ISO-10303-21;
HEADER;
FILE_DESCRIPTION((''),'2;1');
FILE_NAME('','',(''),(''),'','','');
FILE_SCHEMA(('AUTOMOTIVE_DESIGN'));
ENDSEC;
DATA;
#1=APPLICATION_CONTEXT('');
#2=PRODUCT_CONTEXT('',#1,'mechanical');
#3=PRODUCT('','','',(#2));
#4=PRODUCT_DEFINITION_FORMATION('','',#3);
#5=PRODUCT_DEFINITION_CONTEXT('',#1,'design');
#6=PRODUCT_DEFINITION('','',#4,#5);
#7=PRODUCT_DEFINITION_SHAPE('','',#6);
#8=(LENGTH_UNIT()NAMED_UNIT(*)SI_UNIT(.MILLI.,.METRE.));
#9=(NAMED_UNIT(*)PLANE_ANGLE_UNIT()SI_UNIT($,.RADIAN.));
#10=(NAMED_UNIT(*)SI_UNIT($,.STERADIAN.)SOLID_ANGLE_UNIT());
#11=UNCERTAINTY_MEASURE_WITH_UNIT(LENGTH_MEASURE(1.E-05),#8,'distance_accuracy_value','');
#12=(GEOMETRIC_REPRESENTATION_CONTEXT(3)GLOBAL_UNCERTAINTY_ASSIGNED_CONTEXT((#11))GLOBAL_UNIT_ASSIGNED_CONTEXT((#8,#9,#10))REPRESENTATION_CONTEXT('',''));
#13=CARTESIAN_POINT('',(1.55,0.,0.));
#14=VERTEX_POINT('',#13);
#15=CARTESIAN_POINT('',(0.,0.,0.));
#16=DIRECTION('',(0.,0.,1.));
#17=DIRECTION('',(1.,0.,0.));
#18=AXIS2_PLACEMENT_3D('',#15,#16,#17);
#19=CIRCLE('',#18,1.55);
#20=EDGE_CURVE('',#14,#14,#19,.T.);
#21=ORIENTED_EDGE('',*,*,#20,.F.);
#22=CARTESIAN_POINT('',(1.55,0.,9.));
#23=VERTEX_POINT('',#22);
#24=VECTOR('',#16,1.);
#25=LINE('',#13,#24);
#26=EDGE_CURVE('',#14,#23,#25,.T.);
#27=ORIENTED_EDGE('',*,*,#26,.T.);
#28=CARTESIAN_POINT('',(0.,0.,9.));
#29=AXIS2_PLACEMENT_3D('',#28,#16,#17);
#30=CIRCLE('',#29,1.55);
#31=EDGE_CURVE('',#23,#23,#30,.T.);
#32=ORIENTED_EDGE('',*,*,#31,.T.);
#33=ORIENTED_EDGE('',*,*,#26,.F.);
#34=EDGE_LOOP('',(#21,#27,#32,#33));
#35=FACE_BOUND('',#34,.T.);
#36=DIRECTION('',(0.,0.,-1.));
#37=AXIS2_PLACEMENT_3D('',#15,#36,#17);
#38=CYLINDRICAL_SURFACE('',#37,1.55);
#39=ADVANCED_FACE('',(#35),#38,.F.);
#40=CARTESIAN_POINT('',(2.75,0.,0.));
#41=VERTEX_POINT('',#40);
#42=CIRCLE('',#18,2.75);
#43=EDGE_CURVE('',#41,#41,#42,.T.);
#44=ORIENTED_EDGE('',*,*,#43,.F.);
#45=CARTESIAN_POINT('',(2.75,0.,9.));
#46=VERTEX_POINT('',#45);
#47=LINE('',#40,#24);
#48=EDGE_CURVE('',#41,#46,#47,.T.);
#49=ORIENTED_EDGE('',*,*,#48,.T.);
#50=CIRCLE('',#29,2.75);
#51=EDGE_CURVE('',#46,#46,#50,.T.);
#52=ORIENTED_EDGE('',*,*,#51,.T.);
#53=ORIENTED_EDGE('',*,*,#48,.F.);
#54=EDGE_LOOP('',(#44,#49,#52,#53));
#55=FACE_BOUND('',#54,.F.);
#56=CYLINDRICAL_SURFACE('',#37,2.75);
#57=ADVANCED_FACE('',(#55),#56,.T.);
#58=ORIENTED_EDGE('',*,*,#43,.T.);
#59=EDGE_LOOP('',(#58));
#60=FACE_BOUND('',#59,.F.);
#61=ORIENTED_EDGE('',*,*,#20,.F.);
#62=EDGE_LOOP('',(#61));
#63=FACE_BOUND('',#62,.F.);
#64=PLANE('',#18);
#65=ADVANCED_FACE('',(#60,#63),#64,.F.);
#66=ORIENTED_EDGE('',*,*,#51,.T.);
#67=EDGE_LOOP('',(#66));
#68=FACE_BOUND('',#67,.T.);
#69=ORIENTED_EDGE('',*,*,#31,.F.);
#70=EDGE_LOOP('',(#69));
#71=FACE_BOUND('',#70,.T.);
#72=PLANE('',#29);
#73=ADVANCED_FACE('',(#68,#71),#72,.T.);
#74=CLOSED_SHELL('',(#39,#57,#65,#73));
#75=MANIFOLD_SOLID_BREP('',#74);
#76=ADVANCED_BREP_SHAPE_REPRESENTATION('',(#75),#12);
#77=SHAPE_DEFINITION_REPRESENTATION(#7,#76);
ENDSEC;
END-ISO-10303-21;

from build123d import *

# Parameters (mm, degrees)
SKETCH_R   = 2.75
SKETCH_R_2 = 1.55
PAD_DEPTH  = 9


with BuildPart() as part:
    # Sketch → Pad (new body)
    with BuildSketch(Plane.XY):
        Circle(SKETCH_R)
        Circle(SKETCH_R_2, mode=Mode.SUBTRACT)
    extrude(amount=PAD_DEPTH)


solid = part.part
